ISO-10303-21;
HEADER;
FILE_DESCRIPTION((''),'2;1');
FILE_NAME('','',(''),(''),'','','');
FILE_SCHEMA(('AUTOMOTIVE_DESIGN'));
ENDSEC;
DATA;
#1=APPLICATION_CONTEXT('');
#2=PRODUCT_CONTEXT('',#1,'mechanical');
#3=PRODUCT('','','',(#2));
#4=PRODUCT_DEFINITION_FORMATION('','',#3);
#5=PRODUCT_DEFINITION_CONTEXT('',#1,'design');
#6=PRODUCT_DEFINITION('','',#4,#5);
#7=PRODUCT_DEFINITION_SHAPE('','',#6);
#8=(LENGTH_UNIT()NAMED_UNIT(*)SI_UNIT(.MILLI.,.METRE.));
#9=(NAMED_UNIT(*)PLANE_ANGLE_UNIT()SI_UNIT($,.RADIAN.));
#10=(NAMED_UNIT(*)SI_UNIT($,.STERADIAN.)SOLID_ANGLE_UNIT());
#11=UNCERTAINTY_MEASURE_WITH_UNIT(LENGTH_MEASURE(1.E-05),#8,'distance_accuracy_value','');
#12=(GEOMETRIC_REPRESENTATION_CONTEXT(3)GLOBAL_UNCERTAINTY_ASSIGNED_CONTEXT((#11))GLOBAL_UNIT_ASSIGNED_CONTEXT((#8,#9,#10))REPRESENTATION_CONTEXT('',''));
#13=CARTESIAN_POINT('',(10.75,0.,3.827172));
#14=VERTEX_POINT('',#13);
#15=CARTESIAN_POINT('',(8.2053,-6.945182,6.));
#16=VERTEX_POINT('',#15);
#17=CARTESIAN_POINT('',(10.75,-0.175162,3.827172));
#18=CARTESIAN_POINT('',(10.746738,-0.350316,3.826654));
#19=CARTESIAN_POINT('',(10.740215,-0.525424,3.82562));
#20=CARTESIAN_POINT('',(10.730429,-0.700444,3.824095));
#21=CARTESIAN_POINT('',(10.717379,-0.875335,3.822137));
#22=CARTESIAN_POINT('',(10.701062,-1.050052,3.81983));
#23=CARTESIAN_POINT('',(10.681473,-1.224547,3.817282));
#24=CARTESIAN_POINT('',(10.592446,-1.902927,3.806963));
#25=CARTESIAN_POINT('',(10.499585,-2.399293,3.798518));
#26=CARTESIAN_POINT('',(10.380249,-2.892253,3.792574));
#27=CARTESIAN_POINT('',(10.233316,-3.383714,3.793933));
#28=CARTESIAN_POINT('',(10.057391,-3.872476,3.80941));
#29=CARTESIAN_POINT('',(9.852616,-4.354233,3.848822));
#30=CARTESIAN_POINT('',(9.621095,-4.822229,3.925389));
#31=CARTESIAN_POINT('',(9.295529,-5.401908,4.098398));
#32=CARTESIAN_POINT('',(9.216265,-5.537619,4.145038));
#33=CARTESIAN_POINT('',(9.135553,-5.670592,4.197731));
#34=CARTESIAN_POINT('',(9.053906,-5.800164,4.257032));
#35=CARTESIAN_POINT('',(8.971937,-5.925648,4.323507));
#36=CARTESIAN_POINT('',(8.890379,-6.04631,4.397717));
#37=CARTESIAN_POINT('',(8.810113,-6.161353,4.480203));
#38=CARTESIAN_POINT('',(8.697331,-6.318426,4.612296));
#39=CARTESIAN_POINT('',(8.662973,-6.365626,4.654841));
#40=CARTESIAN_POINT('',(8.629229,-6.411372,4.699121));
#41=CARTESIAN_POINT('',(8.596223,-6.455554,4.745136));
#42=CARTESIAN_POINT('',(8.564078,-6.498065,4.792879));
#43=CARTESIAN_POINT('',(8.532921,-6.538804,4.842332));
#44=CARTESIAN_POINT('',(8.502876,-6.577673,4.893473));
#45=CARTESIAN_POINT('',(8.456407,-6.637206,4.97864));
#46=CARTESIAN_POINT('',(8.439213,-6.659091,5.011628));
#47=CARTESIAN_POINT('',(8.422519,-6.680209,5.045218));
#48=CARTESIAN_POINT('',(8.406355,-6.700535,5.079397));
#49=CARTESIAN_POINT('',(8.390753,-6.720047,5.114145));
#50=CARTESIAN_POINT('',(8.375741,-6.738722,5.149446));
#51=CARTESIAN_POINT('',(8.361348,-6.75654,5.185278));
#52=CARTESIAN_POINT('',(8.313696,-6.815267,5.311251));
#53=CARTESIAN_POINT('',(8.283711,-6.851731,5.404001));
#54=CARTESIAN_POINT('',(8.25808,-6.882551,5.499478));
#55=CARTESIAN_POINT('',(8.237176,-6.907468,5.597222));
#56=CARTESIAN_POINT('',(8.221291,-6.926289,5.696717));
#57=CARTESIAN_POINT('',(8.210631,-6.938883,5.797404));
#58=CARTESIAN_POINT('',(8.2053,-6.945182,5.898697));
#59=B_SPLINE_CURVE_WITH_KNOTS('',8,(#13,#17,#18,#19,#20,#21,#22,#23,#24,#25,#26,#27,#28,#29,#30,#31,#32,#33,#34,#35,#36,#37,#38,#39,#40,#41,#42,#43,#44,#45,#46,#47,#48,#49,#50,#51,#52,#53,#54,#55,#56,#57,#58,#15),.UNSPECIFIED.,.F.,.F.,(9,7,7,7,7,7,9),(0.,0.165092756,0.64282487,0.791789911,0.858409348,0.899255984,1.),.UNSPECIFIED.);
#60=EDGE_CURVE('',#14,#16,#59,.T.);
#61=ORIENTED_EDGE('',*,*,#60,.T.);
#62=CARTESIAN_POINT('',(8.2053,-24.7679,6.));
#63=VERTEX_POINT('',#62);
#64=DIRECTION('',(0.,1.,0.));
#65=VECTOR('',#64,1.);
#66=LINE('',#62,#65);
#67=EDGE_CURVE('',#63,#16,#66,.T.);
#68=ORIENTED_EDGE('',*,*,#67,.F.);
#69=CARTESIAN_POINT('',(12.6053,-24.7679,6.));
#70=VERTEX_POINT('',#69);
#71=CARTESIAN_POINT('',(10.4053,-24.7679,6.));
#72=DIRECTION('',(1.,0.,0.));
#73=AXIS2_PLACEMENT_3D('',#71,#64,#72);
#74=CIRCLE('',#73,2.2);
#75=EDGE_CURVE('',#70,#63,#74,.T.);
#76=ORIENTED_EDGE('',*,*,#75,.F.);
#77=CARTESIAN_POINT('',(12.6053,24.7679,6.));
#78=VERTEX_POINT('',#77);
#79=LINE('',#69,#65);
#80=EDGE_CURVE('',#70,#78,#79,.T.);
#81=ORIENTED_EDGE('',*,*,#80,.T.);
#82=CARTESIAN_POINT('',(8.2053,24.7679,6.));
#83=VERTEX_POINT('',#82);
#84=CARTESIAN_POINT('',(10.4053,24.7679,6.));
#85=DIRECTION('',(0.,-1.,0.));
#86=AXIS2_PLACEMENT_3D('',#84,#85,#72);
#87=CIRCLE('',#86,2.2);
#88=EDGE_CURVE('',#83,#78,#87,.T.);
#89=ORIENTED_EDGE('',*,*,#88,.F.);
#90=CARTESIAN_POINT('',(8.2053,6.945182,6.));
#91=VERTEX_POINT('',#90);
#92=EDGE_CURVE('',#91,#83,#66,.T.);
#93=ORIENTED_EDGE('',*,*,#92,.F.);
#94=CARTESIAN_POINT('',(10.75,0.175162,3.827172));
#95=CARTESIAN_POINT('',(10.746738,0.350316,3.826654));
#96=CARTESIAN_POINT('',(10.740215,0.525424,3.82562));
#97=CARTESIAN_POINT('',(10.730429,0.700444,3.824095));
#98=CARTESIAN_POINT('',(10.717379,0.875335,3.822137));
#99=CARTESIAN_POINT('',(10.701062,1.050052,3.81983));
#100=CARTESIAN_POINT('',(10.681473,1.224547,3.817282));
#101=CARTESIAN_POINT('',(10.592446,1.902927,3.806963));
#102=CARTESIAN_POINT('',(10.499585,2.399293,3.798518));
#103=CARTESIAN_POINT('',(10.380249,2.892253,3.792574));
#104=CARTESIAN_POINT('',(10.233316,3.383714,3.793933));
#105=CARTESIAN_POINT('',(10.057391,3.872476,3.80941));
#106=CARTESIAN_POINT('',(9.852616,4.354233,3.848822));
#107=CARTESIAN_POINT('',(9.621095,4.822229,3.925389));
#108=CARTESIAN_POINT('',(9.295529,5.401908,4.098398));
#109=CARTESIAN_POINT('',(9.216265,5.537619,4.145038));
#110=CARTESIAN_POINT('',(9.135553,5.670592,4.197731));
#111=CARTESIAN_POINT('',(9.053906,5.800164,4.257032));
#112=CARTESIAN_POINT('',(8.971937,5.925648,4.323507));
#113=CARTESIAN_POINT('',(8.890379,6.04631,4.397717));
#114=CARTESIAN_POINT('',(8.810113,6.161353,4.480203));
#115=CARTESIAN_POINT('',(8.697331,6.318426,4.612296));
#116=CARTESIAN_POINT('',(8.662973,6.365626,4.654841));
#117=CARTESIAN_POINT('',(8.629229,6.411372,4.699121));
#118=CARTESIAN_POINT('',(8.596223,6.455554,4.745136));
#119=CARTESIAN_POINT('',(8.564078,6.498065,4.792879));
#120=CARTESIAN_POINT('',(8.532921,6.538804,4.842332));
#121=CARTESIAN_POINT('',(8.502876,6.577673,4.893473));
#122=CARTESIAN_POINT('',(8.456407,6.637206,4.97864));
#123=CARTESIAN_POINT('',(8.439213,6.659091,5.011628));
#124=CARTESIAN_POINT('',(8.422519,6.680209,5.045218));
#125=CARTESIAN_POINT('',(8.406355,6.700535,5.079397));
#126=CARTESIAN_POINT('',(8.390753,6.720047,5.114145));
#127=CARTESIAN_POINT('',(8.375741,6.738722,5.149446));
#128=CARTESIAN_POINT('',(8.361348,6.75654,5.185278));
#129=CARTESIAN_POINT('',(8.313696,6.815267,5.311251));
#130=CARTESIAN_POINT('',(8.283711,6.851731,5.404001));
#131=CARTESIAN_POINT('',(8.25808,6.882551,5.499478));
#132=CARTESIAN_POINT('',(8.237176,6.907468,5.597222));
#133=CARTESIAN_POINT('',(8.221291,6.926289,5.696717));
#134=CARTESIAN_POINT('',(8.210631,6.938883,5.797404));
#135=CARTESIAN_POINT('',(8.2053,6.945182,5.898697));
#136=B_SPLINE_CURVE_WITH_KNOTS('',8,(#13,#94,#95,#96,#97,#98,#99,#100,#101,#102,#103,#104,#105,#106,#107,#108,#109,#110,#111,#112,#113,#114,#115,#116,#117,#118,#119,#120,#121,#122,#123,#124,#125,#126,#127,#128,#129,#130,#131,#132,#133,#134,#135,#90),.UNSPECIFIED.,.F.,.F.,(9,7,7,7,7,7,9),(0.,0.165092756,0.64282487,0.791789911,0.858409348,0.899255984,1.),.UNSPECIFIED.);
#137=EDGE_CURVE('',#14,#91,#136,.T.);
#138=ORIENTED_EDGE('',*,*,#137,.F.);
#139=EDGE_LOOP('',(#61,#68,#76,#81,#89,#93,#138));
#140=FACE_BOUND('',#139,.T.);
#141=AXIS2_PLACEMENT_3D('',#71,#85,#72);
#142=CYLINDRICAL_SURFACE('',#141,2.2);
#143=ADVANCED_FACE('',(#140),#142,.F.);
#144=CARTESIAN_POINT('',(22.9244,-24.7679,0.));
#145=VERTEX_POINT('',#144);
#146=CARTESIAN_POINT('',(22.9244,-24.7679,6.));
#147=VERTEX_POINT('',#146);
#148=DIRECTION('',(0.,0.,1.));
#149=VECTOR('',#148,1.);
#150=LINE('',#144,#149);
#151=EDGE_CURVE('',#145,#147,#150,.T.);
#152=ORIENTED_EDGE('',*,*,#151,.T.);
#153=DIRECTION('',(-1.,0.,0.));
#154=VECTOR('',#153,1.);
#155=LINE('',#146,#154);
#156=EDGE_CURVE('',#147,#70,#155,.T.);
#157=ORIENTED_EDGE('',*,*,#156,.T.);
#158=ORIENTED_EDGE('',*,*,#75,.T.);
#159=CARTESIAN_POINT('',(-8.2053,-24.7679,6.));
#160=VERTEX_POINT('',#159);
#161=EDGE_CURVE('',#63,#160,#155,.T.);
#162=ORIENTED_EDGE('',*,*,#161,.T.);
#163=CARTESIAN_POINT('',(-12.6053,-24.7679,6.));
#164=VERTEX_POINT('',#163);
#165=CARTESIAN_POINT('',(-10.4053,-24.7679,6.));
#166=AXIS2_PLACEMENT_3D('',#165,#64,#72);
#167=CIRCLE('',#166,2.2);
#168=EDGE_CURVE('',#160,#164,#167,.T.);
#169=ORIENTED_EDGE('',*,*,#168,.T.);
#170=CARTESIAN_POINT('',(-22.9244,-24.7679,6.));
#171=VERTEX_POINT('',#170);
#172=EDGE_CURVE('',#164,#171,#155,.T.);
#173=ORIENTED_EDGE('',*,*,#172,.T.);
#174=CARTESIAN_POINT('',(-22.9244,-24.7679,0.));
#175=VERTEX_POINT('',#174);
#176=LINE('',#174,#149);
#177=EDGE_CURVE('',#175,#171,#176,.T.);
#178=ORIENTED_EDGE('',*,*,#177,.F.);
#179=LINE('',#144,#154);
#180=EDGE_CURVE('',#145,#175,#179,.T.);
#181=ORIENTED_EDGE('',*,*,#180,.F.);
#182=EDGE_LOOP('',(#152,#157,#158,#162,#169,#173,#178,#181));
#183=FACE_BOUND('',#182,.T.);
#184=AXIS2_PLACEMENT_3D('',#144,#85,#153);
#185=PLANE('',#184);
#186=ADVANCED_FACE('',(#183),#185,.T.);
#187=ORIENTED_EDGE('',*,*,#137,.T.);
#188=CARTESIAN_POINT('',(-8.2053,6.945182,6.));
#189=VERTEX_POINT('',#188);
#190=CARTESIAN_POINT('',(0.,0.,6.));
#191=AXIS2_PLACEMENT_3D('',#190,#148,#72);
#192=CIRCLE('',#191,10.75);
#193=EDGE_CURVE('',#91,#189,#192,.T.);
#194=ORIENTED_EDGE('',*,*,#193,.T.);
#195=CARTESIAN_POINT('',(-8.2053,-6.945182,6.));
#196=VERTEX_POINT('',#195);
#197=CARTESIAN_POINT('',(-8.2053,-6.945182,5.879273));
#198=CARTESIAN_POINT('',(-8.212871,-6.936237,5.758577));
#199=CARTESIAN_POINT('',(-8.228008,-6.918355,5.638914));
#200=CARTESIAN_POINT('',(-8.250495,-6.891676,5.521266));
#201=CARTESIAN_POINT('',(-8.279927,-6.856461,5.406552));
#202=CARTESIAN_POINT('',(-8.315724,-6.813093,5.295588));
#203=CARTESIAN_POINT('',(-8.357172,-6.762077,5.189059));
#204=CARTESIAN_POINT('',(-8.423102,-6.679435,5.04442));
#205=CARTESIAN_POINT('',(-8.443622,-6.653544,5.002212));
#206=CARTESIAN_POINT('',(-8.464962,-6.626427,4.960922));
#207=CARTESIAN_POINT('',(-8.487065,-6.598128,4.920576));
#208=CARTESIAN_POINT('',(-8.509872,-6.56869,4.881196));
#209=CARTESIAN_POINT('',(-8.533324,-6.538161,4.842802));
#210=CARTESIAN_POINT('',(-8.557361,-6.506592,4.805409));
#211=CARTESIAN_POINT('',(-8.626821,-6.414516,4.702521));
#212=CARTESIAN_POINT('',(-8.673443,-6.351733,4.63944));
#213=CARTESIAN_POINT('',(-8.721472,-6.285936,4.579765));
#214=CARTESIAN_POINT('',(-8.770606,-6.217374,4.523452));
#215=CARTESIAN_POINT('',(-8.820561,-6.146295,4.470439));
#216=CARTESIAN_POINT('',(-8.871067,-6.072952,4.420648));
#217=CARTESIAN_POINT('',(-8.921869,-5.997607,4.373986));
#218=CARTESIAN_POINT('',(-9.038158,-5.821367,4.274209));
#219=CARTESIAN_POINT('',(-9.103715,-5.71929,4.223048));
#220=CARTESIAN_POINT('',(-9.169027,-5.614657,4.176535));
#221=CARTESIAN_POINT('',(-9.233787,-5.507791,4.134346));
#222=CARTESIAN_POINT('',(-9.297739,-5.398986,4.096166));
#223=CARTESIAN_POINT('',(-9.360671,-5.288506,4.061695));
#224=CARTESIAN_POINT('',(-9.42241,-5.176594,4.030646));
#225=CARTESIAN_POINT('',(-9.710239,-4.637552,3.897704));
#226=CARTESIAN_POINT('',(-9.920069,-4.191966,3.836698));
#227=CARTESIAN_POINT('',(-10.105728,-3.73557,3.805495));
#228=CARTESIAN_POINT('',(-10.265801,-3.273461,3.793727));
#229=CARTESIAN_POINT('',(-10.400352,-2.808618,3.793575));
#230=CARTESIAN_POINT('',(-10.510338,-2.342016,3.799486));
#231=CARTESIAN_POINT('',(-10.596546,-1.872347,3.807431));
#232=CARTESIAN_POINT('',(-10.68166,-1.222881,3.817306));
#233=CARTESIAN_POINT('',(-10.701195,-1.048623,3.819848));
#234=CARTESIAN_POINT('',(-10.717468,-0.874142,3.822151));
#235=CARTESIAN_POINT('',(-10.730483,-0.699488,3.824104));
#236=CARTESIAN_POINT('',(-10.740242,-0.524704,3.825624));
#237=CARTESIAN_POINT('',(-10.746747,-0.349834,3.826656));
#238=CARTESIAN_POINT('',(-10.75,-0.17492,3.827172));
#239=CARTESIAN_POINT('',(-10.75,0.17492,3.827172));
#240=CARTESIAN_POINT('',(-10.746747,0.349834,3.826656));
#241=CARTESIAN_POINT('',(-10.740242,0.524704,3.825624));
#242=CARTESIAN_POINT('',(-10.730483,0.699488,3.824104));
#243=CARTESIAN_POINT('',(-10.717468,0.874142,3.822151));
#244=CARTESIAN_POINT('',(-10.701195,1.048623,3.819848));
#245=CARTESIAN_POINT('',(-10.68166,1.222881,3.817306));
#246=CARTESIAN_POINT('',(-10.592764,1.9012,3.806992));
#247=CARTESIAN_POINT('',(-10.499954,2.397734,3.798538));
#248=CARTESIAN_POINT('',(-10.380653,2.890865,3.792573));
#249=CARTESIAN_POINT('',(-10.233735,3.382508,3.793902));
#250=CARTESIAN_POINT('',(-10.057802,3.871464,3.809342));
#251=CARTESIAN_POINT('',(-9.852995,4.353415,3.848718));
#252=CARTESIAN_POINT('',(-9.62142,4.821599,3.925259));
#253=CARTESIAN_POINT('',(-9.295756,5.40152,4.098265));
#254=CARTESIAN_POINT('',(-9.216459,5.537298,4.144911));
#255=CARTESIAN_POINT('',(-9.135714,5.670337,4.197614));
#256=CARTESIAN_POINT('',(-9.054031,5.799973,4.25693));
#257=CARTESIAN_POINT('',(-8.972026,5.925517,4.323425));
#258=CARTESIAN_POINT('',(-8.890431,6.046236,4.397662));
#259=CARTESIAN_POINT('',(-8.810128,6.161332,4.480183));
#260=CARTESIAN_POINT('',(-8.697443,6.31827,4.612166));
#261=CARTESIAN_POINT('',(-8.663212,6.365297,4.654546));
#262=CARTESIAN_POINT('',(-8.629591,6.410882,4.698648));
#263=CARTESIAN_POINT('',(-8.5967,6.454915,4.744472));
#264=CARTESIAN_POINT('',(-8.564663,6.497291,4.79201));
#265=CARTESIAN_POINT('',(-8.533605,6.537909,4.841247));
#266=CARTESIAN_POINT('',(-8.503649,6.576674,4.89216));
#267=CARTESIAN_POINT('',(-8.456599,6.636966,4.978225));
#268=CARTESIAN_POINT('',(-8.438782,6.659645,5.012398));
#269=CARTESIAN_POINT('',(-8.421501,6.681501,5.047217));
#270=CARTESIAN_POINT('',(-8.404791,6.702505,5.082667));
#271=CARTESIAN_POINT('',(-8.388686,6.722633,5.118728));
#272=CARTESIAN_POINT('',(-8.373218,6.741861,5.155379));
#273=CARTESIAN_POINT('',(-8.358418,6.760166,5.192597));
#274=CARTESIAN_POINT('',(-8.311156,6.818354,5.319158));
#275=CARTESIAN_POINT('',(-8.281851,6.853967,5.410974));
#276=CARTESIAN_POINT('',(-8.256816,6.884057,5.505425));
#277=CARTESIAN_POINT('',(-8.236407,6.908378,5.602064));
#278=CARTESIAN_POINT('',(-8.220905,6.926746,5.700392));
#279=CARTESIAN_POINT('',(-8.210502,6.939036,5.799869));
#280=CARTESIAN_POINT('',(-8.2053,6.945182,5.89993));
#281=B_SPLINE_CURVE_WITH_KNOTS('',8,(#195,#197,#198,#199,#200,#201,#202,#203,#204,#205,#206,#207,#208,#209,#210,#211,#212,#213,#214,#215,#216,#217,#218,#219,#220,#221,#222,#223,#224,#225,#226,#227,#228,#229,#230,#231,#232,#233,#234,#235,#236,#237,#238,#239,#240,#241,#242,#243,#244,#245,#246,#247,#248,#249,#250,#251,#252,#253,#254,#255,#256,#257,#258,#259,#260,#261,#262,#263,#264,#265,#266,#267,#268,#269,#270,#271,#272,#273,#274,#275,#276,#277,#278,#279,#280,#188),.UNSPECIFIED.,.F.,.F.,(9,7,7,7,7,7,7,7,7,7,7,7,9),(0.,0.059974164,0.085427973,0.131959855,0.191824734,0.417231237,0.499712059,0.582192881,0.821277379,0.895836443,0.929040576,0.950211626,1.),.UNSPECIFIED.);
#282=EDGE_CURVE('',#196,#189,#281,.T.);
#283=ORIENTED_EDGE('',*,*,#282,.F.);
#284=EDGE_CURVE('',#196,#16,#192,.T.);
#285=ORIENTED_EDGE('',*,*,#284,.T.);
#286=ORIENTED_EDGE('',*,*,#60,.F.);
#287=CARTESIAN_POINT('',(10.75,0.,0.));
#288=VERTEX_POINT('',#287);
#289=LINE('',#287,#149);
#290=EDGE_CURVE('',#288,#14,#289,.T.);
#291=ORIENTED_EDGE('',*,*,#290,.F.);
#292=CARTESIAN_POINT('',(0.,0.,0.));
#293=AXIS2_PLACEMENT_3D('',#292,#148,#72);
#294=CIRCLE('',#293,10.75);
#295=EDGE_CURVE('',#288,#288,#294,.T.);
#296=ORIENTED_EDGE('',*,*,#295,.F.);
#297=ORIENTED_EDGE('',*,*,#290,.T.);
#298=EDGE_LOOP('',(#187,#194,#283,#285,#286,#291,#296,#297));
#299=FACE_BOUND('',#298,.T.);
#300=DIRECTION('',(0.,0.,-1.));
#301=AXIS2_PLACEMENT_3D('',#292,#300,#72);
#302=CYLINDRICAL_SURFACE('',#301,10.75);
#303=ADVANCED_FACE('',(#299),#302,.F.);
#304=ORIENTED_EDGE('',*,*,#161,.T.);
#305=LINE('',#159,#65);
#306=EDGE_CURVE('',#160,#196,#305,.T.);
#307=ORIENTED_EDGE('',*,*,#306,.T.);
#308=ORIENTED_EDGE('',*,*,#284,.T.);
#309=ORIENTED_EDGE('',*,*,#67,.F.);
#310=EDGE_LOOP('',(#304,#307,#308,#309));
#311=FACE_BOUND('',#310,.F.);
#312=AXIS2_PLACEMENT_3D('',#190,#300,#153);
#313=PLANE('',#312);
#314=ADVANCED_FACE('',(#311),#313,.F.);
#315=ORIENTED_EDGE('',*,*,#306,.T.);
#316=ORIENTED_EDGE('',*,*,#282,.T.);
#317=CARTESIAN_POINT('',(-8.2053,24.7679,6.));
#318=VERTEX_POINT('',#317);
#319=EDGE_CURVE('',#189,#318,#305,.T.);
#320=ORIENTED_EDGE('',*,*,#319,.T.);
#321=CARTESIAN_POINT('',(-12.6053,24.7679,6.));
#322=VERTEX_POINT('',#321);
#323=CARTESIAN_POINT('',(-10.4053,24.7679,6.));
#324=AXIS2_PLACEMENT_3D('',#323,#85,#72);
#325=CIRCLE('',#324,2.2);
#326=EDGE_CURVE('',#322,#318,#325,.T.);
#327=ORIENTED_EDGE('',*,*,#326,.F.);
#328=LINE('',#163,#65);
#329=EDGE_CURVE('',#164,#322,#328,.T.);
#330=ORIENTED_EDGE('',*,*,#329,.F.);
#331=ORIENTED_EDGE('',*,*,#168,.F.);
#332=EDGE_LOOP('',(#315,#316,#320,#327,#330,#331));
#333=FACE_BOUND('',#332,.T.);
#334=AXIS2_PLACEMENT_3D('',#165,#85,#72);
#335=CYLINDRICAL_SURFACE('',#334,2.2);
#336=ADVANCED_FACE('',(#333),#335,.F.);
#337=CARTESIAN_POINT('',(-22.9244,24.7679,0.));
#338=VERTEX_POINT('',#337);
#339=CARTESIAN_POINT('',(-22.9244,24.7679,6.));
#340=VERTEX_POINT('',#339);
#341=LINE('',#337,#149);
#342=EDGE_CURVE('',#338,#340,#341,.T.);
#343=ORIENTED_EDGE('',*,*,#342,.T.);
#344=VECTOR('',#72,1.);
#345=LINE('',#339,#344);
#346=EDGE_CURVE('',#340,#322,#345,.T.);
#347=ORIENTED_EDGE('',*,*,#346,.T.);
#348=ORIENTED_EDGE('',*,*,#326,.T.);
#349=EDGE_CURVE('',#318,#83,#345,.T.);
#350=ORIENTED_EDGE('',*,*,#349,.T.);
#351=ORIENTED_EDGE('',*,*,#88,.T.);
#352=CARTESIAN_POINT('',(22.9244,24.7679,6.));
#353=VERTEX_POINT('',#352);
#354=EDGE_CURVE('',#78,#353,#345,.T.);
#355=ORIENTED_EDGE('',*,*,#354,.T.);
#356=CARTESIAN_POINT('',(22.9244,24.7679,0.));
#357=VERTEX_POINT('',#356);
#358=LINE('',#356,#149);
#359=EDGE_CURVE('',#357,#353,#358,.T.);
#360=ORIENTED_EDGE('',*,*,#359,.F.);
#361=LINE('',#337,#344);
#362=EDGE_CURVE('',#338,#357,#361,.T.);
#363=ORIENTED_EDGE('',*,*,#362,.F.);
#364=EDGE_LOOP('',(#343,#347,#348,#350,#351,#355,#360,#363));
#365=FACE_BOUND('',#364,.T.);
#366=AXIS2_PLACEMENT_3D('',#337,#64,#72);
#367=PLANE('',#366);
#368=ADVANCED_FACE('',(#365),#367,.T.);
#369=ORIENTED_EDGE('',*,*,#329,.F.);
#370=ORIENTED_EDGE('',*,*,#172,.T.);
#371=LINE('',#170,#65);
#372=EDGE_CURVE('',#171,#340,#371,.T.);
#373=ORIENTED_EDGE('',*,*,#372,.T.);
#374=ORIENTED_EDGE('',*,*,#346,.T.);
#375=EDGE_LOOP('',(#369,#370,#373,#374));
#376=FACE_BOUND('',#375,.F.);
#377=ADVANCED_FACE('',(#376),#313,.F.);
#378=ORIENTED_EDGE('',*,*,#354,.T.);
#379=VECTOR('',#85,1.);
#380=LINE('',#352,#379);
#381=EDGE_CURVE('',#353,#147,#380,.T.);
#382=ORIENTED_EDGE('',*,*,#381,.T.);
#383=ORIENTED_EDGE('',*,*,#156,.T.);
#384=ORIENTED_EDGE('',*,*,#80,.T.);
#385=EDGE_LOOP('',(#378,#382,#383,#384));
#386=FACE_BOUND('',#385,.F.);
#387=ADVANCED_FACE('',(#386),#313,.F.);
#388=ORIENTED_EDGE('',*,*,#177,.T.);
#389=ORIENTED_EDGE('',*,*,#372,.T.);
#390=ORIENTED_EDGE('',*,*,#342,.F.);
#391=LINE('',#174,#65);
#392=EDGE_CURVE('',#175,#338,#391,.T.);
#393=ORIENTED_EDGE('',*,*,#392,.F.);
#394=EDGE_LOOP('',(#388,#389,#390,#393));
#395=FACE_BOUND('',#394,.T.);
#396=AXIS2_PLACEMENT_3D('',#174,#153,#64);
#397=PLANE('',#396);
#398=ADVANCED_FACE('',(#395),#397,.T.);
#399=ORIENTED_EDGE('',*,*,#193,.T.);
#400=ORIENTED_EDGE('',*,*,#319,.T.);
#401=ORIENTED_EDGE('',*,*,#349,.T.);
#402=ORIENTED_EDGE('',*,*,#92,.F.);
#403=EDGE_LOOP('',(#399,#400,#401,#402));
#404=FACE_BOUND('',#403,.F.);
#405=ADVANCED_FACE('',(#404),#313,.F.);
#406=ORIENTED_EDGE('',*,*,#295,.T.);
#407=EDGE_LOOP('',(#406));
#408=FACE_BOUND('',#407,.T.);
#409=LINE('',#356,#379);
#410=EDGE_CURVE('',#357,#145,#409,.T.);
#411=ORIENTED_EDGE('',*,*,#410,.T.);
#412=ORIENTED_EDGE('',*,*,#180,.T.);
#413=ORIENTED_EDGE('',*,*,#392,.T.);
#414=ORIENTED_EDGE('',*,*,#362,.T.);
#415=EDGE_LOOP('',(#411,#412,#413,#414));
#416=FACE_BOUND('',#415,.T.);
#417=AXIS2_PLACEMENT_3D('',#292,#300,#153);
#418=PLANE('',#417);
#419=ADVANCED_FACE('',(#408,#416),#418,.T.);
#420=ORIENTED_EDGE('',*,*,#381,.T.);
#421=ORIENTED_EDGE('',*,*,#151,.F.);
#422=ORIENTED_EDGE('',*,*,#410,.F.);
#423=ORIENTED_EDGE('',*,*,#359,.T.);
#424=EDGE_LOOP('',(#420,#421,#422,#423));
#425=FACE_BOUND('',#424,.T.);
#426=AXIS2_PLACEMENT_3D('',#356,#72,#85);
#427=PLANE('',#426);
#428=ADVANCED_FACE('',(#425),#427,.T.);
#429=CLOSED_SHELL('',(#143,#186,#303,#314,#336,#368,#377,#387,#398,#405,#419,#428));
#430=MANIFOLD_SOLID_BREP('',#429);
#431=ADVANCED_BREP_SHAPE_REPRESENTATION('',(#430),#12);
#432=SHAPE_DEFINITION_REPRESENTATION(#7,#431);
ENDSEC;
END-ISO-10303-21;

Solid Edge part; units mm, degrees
sketch "Sketch1" plane through (0, 0, 0) normal (0, 0, 1) x (1, 0, 0)
  circle A0 centre (0, 0) radius 10.75
  line L0 (-22.9244, 24.7679) -> (22.9244, 24.7679)
  line L1 (22.9244, 24.7679) -> (22.9244, -24.7679)
  line L2 (22.9244, -24.7679) -> (-22.9244, -24.7679)
  line L3 (-22.9244, -24.7679) -> (-22.9244, 24.7679)
  dimension "D1" = 21.5
extrude "Protrusion1" add sketch "Sketch1" along normal blind 6
sketch "Sketch2" plane through (0, -24.7679, 3) normal (0, -1, 0) x (1, 0, 0)
  line L0 (-8.2053, 3) -> (-12.6053, 3)
  arc A0 (-8.2053, 3) -> (-12.6053, 3) centre (-10.4053, 3) cw
  line L1 (12.6053, 3) -> (8.2053, 3)
  arc A1 (12.6053, 3) -> (8.2053, 3) centre (10.4053, 3) cw
extrude "Cutout1" cut sketch "Sketch2" against normal through all
